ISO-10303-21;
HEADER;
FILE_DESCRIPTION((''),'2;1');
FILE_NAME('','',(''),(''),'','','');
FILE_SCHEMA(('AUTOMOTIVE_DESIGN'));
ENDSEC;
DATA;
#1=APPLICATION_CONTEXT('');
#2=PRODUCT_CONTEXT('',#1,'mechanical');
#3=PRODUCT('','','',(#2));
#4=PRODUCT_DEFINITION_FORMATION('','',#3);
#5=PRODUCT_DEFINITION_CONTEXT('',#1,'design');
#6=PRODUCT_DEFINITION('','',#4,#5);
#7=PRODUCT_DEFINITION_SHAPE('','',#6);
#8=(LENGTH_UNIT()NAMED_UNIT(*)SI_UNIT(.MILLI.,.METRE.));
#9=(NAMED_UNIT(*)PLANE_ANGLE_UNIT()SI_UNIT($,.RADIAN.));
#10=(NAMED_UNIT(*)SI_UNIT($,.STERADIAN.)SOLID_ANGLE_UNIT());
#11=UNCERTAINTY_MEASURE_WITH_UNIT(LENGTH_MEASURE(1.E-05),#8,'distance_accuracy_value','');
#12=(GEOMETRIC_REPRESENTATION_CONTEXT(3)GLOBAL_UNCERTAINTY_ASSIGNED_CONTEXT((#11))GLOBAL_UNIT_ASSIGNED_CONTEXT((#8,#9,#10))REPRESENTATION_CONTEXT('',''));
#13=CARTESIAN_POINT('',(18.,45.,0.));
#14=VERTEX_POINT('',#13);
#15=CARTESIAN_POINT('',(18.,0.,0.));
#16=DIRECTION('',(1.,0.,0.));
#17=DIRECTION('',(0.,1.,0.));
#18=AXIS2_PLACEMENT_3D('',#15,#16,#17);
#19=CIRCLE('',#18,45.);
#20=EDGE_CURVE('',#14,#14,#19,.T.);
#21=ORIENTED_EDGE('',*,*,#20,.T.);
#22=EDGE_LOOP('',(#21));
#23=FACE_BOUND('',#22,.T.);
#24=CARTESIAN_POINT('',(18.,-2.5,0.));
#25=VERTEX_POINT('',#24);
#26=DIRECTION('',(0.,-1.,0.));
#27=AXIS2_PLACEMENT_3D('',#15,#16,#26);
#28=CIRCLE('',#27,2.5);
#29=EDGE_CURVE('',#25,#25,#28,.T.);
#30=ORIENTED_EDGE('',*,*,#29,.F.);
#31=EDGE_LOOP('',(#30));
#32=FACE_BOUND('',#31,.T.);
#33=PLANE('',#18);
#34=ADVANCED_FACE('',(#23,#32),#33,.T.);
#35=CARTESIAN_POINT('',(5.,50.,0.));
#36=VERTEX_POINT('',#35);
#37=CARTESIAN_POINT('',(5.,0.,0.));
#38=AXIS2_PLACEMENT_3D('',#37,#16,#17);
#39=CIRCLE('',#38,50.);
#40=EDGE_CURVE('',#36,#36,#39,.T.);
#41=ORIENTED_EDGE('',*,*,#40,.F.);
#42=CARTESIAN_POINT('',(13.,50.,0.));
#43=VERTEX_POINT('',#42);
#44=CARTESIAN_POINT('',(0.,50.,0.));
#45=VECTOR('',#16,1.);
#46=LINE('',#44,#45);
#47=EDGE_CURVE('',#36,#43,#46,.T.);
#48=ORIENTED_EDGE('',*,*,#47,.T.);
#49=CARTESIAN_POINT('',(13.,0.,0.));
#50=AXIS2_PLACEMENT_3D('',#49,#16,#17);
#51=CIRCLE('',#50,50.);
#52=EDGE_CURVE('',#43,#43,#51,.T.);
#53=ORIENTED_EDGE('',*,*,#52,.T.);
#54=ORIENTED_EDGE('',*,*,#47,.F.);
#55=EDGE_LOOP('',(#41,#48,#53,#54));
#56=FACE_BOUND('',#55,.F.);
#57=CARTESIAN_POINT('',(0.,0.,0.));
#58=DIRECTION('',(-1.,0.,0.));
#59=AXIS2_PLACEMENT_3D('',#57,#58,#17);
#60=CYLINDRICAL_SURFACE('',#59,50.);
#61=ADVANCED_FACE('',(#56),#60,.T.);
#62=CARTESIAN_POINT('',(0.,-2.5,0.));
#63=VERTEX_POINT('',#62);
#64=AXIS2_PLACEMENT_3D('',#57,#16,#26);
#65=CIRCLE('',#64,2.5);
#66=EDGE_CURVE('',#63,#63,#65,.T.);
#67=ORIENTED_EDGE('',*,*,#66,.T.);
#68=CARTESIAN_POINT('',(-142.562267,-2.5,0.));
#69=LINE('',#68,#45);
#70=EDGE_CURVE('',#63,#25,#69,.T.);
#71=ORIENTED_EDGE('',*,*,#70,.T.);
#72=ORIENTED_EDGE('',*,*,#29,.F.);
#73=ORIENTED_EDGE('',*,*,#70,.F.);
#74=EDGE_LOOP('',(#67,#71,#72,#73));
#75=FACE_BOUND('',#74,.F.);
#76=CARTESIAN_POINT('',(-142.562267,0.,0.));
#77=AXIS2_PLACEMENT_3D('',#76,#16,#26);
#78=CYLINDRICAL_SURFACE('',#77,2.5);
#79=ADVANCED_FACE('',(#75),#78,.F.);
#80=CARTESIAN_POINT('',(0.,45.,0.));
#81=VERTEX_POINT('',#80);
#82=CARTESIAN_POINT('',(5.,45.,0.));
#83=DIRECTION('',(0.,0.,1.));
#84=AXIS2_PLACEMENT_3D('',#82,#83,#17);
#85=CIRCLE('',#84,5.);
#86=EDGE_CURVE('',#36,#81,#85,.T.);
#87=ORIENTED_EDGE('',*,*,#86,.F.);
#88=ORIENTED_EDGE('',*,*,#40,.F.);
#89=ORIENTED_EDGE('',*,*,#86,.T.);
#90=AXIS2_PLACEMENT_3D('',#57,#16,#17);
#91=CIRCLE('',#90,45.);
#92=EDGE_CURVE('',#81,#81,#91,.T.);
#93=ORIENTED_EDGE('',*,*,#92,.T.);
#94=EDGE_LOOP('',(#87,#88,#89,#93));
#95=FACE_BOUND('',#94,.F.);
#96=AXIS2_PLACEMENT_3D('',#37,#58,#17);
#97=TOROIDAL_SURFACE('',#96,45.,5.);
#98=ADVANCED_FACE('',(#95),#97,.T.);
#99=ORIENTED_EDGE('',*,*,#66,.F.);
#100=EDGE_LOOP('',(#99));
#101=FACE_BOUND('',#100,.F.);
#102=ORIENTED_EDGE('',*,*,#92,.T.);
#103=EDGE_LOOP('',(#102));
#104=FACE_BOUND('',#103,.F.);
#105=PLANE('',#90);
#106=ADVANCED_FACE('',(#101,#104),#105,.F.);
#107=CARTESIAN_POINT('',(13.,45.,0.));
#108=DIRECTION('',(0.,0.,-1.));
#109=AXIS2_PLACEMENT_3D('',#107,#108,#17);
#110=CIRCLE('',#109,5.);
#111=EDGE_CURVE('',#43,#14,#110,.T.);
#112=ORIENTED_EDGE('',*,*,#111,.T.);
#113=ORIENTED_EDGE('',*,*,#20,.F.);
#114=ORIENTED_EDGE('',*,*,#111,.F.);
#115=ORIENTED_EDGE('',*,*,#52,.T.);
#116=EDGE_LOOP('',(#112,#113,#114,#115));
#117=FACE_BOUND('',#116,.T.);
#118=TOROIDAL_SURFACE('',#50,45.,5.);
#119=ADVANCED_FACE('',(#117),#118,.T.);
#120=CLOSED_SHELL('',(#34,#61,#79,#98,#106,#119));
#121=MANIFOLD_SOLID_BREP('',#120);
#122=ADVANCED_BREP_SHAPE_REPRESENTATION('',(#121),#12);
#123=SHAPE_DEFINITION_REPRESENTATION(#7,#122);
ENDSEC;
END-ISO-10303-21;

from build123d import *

# Parameters (mm, degrees)
F0_R     = 50
F1_DEPTH = 18
F2_R     = 5
F3_D     = 5


with BuildPart() as f1:
    # F0 (on Right) → F1 (new body)
    with BuildSketch(Plane.YZ):
        Circle(F0_R)
    extrude(amount=F1_DEPTH)

    # F2
    f2_edges = [f1.edges().sort_by_distance(p)[0] for p in [
        (18, -50, 0),
        (0, -50, 0),
    ]]
    fillet(f2_edges, radius=F2_R)

    # F3 (through all)
    with Locations(Plane(origin=(0, 0, 0), x_dir=(0, 1, 0), z_dir=(-1, 0, 0))):
        with Locations((0, 0)):
            Hole(F3_D / 2)


solid = f1.part
